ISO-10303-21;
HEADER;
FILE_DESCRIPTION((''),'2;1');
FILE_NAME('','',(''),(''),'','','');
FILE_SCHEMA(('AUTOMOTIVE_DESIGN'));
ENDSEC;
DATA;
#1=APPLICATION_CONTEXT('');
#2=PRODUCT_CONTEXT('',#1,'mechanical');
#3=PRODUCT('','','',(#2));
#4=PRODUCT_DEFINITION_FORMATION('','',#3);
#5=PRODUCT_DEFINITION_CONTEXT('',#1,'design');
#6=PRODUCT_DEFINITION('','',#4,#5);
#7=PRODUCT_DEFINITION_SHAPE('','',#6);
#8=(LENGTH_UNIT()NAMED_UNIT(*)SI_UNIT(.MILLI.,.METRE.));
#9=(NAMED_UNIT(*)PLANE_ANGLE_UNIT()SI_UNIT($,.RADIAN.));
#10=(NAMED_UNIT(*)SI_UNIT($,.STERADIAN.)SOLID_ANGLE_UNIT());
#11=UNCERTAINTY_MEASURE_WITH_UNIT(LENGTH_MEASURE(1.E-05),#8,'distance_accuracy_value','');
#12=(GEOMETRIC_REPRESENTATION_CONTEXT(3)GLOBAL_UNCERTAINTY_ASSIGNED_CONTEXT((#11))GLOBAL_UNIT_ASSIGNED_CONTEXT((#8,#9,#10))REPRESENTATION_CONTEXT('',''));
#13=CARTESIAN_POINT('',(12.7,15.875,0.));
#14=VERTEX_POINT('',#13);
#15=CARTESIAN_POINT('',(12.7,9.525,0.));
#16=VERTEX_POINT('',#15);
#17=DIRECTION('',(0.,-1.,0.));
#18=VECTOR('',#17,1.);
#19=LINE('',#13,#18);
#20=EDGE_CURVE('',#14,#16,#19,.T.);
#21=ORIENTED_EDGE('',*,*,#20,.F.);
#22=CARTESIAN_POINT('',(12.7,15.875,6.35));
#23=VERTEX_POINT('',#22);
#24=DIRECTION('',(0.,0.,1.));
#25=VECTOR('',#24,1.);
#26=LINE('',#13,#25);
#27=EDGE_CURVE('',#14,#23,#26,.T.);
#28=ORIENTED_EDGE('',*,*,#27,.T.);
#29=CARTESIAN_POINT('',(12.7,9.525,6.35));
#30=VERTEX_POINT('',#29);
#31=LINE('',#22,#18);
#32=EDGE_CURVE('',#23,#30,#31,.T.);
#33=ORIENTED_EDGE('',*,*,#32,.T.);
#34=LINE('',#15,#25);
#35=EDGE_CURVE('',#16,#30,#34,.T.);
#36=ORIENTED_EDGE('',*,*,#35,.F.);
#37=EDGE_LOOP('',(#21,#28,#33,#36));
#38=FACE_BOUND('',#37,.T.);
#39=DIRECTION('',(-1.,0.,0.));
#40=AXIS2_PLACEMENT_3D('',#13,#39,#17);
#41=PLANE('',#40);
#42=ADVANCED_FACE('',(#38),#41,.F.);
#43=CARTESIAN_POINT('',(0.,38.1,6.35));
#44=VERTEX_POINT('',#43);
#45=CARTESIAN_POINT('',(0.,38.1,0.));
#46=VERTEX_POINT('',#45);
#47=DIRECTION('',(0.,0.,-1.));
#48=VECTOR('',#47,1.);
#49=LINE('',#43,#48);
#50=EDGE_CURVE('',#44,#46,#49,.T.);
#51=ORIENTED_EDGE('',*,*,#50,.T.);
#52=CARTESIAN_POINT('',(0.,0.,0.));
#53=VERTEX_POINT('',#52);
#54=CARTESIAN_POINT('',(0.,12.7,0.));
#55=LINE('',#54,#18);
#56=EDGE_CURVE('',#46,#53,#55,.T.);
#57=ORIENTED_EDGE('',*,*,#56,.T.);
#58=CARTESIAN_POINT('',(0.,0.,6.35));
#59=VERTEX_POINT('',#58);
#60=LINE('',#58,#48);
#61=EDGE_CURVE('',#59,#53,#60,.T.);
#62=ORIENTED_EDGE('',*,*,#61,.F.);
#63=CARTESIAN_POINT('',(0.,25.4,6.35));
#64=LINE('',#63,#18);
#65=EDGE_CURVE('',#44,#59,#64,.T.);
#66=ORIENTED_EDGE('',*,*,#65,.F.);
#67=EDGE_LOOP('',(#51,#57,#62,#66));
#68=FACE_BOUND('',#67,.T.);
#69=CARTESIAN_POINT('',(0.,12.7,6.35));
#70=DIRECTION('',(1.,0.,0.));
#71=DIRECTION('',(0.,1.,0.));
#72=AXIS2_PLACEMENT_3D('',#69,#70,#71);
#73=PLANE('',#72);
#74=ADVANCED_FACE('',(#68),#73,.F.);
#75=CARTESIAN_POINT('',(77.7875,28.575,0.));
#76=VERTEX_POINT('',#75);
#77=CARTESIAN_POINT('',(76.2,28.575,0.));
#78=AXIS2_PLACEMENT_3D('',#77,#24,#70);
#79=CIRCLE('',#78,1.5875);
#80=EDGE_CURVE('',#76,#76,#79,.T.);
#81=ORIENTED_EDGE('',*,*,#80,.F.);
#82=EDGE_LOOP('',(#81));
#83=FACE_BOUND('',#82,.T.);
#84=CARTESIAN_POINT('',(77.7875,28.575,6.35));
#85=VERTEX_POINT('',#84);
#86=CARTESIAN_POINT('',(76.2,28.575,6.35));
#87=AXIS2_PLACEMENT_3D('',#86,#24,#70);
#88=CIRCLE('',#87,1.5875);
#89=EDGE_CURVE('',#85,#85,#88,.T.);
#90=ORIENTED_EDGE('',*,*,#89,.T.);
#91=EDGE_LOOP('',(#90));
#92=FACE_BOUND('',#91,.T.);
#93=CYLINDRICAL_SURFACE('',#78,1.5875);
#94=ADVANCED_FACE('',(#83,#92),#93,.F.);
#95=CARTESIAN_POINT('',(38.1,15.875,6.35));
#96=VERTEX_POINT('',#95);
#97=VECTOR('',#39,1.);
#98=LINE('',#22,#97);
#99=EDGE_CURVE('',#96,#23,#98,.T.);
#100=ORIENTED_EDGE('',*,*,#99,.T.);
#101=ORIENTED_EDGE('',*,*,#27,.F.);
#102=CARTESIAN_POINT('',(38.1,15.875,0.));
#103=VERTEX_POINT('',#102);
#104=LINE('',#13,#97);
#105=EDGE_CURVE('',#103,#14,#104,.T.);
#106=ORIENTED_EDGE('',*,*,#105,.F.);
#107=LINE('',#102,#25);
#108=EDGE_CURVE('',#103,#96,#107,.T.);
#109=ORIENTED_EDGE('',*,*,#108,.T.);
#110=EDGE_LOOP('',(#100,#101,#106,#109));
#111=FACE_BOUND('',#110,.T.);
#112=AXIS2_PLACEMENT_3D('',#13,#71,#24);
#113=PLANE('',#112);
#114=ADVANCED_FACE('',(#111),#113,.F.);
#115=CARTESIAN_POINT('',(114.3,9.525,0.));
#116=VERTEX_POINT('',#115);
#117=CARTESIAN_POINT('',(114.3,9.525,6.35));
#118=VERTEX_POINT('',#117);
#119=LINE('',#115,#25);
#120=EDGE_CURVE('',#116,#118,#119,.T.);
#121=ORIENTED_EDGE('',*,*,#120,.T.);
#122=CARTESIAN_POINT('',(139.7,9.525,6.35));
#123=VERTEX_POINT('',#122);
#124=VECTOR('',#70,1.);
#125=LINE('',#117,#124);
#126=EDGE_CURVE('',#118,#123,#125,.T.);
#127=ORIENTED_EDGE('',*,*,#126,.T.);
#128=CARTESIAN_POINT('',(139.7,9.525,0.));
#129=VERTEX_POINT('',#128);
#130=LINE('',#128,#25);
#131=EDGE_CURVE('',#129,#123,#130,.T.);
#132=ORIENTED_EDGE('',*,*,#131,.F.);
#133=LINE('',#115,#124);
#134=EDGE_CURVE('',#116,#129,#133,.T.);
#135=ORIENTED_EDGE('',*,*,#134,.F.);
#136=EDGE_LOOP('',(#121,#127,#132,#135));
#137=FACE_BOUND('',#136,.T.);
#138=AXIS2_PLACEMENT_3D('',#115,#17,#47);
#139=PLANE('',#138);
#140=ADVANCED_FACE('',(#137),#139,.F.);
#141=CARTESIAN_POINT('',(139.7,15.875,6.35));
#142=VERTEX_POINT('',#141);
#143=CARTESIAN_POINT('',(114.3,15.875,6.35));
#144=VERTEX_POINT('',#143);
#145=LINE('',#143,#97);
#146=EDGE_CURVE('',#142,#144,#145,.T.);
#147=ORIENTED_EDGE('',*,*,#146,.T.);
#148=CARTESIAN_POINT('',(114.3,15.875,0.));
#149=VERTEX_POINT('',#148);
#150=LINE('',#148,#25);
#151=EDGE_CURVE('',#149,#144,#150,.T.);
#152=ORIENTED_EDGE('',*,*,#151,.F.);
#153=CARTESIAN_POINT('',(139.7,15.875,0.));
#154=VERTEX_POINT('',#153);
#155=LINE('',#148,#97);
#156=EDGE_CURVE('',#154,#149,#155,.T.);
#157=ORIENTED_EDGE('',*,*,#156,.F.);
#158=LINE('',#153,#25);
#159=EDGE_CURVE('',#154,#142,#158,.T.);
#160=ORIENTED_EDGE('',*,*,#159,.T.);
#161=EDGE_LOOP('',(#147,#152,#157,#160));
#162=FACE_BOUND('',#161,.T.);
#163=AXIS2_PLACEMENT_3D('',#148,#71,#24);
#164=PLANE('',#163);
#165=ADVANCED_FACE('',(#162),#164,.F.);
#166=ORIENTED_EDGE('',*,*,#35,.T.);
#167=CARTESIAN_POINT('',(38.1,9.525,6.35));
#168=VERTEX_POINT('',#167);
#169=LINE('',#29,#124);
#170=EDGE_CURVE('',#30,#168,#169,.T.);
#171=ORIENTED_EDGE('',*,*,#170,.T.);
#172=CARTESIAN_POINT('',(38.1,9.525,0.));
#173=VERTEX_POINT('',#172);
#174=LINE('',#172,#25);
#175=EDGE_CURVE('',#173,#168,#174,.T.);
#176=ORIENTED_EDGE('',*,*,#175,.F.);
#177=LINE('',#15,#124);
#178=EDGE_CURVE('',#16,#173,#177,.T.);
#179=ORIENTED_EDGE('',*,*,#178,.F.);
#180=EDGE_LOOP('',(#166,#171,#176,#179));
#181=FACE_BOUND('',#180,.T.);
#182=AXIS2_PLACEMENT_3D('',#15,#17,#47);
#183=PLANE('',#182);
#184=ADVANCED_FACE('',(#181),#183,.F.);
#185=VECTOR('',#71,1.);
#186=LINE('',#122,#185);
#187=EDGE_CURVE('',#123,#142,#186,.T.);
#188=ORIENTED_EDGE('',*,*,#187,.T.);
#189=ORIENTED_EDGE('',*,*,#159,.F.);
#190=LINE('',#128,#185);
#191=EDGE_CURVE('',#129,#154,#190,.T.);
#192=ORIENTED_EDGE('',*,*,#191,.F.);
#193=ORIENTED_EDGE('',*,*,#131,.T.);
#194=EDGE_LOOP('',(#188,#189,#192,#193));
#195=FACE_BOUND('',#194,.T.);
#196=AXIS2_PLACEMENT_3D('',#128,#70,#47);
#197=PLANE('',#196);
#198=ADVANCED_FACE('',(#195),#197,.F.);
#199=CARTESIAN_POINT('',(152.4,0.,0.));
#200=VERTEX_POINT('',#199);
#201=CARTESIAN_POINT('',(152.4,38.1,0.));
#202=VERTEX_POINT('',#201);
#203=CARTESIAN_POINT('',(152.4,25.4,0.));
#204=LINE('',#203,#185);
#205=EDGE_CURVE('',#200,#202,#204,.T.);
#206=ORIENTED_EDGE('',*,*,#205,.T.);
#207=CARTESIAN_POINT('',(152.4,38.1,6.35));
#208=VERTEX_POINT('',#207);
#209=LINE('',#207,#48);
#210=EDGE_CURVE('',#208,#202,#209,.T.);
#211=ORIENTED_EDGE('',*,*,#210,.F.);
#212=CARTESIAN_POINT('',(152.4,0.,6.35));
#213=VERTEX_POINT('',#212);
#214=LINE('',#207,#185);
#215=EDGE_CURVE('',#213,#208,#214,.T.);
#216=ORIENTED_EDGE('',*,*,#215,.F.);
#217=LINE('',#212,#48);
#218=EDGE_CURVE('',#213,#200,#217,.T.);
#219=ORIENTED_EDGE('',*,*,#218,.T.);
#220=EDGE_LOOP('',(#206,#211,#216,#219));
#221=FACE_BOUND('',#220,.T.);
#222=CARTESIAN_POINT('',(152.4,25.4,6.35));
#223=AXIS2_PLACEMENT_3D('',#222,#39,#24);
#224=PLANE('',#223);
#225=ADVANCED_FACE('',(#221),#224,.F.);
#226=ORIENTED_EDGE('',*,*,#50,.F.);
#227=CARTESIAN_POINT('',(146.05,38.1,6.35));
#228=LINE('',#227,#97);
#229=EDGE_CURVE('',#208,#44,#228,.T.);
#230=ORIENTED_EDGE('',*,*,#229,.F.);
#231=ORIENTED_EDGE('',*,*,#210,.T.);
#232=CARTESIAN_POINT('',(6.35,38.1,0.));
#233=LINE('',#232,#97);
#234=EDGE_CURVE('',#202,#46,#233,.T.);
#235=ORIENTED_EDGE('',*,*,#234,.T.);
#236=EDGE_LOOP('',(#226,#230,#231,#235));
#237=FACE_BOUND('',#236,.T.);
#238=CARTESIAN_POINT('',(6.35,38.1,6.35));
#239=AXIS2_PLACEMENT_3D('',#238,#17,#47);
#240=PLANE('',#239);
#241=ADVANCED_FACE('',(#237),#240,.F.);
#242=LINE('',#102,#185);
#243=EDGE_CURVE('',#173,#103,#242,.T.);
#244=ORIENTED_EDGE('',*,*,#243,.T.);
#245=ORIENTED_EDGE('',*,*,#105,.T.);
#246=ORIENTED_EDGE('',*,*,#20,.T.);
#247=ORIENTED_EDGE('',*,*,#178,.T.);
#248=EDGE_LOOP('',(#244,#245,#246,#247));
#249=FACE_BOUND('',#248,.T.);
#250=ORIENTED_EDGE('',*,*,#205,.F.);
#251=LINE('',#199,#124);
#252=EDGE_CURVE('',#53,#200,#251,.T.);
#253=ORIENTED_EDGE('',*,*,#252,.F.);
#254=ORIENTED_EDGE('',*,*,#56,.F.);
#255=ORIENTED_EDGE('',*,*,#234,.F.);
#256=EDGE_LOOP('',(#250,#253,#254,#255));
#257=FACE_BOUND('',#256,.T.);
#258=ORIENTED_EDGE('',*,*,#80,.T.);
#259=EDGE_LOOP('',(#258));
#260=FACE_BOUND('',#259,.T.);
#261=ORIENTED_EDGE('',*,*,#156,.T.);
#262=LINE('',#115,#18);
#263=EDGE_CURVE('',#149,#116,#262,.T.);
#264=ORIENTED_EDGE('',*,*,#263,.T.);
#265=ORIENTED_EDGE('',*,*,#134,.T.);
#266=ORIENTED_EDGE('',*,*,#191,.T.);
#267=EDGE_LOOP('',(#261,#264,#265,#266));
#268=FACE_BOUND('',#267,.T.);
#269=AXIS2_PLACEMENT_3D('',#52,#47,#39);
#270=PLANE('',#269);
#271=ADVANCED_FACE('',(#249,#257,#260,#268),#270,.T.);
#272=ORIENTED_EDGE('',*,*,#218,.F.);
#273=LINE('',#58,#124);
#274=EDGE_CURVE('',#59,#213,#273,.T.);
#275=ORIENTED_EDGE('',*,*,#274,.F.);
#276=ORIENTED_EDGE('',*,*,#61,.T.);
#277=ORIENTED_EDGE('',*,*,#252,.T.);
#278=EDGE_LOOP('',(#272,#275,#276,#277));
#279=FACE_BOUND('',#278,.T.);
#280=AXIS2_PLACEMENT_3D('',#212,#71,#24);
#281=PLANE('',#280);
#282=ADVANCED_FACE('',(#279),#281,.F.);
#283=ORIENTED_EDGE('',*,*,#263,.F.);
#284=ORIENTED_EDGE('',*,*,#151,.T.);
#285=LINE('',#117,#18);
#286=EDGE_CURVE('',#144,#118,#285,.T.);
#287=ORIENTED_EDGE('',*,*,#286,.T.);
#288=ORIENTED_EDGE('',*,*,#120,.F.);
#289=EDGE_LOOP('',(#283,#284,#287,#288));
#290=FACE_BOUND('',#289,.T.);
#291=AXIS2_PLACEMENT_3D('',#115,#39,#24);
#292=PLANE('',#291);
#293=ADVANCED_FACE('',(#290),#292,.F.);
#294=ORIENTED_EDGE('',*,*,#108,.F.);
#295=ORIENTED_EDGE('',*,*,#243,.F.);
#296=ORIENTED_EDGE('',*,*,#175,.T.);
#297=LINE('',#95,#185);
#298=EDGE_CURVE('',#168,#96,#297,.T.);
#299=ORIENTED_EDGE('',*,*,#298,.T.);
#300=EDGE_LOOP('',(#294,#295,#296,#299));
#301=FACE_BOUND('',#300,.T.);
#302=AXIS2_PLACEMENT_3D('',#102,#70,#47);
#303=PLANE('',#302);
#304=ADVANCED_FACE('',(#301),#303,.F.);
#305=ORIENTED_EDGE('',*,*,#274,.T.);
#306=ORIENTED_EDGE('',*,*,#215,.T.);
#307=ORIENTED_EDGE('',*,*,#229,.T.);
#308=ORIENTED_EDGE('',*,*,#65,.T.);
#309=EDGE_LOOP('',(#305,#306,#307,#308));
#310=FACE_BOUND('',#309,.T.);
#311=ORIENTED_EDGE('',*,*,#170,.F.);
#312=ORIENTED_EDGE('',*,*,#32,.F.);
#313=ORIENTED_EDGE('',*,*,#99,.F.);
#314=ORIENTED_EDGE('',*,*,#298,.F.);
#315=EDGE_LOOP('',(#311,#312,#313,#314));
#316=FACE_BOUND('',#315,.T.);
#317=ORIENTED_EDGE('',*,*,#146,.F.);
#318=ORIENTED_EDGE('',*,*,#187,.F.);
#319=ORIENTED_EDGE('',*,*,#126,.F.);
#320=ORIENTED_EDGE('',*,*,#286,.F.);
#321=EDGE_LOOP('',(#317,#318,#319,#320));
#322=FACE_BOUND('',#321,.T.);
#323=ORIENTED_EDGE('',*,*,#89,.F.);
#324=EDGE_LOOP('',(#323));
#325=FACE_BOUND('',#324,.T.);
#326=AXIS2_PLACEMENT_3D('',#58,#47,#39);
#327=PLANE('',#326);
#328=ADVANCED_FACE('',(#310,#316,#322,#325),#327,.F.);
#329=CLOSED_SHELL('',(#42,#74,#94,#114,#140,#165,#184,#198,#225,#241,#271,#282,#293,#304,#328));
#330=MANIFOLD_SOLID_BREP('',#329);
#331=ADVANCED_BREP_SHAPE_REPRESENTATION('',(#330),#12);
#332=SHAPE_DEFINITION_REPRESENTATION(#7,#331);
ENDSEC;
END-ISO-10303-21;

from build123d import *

# Parameters (mm, degrees)
BOSS_EXTRUDE1_DEPTH = 6.35
SKETCH2_W           = 25.4
SKETCH2_H           = 6.35
CUT_EXTRUDE1_DEPTH  = 6.35
SKETCH3_W           = 25.4
SKETCH3_H           = 6.35
CUT_EXTRUDE2_DEPTH  = 6.35
SKETCH4_R           = 1.5875
CUT_EXTRUDE4_DEPTH  = 6.35


with BuildPart() as part:
    # Sketch1 → Boss-Extrude1 (new body)
    with BuildSketch(Plane.XY):
        Polygon((6.35, 38.1), (0, 38.1), (0, 25.4), (0, 12.7), (0, 0), (6.35, 0), (146.05, 0), (152.4, 0), (152.4, 12.7), (152.4, 25.4), (152.4, 38.1), (146.05, 38.1), align=None)
    extrude(amount=BOSS_EXTRUDE1_DEPTH)

    # Sketch2 → Cut-Extrude1 (cut)
    with BuildSketch(Plane.XY.offset(6.35)):
        with Locations((25.4, 12.7)):
            Rectangle(SKETCH2_W, SKETCH2_H)
    extrude(amount=-CUT_EXTRUDE1_DEPTH, mode=Mode.SUBTRACT)

    # Sketch3 → Cut-Extrude2 (cut)
    with BuildSketch(Plane.XY.offset(6.35)):
        with Locations((127, 12.7)):
            Rectangle(SKETCH3_W, SKETCH3_H)
    extrude(amount=-CUT_EXTRUDE2_DEPTH, mode=Mode.SUBTRACT)

    # Sketch4 → Cut-Extrude4 (cut)
    with BuildSketch(Plane.XY.offset(6.35)):
        with Locations((76.2, 28.575)):
            Circle(SKETCH4_R)
    extrude(amount=-CUT_EXTRUDE4_DEPTH, mode=Mode.SUBTRACT)


solid = part.part
